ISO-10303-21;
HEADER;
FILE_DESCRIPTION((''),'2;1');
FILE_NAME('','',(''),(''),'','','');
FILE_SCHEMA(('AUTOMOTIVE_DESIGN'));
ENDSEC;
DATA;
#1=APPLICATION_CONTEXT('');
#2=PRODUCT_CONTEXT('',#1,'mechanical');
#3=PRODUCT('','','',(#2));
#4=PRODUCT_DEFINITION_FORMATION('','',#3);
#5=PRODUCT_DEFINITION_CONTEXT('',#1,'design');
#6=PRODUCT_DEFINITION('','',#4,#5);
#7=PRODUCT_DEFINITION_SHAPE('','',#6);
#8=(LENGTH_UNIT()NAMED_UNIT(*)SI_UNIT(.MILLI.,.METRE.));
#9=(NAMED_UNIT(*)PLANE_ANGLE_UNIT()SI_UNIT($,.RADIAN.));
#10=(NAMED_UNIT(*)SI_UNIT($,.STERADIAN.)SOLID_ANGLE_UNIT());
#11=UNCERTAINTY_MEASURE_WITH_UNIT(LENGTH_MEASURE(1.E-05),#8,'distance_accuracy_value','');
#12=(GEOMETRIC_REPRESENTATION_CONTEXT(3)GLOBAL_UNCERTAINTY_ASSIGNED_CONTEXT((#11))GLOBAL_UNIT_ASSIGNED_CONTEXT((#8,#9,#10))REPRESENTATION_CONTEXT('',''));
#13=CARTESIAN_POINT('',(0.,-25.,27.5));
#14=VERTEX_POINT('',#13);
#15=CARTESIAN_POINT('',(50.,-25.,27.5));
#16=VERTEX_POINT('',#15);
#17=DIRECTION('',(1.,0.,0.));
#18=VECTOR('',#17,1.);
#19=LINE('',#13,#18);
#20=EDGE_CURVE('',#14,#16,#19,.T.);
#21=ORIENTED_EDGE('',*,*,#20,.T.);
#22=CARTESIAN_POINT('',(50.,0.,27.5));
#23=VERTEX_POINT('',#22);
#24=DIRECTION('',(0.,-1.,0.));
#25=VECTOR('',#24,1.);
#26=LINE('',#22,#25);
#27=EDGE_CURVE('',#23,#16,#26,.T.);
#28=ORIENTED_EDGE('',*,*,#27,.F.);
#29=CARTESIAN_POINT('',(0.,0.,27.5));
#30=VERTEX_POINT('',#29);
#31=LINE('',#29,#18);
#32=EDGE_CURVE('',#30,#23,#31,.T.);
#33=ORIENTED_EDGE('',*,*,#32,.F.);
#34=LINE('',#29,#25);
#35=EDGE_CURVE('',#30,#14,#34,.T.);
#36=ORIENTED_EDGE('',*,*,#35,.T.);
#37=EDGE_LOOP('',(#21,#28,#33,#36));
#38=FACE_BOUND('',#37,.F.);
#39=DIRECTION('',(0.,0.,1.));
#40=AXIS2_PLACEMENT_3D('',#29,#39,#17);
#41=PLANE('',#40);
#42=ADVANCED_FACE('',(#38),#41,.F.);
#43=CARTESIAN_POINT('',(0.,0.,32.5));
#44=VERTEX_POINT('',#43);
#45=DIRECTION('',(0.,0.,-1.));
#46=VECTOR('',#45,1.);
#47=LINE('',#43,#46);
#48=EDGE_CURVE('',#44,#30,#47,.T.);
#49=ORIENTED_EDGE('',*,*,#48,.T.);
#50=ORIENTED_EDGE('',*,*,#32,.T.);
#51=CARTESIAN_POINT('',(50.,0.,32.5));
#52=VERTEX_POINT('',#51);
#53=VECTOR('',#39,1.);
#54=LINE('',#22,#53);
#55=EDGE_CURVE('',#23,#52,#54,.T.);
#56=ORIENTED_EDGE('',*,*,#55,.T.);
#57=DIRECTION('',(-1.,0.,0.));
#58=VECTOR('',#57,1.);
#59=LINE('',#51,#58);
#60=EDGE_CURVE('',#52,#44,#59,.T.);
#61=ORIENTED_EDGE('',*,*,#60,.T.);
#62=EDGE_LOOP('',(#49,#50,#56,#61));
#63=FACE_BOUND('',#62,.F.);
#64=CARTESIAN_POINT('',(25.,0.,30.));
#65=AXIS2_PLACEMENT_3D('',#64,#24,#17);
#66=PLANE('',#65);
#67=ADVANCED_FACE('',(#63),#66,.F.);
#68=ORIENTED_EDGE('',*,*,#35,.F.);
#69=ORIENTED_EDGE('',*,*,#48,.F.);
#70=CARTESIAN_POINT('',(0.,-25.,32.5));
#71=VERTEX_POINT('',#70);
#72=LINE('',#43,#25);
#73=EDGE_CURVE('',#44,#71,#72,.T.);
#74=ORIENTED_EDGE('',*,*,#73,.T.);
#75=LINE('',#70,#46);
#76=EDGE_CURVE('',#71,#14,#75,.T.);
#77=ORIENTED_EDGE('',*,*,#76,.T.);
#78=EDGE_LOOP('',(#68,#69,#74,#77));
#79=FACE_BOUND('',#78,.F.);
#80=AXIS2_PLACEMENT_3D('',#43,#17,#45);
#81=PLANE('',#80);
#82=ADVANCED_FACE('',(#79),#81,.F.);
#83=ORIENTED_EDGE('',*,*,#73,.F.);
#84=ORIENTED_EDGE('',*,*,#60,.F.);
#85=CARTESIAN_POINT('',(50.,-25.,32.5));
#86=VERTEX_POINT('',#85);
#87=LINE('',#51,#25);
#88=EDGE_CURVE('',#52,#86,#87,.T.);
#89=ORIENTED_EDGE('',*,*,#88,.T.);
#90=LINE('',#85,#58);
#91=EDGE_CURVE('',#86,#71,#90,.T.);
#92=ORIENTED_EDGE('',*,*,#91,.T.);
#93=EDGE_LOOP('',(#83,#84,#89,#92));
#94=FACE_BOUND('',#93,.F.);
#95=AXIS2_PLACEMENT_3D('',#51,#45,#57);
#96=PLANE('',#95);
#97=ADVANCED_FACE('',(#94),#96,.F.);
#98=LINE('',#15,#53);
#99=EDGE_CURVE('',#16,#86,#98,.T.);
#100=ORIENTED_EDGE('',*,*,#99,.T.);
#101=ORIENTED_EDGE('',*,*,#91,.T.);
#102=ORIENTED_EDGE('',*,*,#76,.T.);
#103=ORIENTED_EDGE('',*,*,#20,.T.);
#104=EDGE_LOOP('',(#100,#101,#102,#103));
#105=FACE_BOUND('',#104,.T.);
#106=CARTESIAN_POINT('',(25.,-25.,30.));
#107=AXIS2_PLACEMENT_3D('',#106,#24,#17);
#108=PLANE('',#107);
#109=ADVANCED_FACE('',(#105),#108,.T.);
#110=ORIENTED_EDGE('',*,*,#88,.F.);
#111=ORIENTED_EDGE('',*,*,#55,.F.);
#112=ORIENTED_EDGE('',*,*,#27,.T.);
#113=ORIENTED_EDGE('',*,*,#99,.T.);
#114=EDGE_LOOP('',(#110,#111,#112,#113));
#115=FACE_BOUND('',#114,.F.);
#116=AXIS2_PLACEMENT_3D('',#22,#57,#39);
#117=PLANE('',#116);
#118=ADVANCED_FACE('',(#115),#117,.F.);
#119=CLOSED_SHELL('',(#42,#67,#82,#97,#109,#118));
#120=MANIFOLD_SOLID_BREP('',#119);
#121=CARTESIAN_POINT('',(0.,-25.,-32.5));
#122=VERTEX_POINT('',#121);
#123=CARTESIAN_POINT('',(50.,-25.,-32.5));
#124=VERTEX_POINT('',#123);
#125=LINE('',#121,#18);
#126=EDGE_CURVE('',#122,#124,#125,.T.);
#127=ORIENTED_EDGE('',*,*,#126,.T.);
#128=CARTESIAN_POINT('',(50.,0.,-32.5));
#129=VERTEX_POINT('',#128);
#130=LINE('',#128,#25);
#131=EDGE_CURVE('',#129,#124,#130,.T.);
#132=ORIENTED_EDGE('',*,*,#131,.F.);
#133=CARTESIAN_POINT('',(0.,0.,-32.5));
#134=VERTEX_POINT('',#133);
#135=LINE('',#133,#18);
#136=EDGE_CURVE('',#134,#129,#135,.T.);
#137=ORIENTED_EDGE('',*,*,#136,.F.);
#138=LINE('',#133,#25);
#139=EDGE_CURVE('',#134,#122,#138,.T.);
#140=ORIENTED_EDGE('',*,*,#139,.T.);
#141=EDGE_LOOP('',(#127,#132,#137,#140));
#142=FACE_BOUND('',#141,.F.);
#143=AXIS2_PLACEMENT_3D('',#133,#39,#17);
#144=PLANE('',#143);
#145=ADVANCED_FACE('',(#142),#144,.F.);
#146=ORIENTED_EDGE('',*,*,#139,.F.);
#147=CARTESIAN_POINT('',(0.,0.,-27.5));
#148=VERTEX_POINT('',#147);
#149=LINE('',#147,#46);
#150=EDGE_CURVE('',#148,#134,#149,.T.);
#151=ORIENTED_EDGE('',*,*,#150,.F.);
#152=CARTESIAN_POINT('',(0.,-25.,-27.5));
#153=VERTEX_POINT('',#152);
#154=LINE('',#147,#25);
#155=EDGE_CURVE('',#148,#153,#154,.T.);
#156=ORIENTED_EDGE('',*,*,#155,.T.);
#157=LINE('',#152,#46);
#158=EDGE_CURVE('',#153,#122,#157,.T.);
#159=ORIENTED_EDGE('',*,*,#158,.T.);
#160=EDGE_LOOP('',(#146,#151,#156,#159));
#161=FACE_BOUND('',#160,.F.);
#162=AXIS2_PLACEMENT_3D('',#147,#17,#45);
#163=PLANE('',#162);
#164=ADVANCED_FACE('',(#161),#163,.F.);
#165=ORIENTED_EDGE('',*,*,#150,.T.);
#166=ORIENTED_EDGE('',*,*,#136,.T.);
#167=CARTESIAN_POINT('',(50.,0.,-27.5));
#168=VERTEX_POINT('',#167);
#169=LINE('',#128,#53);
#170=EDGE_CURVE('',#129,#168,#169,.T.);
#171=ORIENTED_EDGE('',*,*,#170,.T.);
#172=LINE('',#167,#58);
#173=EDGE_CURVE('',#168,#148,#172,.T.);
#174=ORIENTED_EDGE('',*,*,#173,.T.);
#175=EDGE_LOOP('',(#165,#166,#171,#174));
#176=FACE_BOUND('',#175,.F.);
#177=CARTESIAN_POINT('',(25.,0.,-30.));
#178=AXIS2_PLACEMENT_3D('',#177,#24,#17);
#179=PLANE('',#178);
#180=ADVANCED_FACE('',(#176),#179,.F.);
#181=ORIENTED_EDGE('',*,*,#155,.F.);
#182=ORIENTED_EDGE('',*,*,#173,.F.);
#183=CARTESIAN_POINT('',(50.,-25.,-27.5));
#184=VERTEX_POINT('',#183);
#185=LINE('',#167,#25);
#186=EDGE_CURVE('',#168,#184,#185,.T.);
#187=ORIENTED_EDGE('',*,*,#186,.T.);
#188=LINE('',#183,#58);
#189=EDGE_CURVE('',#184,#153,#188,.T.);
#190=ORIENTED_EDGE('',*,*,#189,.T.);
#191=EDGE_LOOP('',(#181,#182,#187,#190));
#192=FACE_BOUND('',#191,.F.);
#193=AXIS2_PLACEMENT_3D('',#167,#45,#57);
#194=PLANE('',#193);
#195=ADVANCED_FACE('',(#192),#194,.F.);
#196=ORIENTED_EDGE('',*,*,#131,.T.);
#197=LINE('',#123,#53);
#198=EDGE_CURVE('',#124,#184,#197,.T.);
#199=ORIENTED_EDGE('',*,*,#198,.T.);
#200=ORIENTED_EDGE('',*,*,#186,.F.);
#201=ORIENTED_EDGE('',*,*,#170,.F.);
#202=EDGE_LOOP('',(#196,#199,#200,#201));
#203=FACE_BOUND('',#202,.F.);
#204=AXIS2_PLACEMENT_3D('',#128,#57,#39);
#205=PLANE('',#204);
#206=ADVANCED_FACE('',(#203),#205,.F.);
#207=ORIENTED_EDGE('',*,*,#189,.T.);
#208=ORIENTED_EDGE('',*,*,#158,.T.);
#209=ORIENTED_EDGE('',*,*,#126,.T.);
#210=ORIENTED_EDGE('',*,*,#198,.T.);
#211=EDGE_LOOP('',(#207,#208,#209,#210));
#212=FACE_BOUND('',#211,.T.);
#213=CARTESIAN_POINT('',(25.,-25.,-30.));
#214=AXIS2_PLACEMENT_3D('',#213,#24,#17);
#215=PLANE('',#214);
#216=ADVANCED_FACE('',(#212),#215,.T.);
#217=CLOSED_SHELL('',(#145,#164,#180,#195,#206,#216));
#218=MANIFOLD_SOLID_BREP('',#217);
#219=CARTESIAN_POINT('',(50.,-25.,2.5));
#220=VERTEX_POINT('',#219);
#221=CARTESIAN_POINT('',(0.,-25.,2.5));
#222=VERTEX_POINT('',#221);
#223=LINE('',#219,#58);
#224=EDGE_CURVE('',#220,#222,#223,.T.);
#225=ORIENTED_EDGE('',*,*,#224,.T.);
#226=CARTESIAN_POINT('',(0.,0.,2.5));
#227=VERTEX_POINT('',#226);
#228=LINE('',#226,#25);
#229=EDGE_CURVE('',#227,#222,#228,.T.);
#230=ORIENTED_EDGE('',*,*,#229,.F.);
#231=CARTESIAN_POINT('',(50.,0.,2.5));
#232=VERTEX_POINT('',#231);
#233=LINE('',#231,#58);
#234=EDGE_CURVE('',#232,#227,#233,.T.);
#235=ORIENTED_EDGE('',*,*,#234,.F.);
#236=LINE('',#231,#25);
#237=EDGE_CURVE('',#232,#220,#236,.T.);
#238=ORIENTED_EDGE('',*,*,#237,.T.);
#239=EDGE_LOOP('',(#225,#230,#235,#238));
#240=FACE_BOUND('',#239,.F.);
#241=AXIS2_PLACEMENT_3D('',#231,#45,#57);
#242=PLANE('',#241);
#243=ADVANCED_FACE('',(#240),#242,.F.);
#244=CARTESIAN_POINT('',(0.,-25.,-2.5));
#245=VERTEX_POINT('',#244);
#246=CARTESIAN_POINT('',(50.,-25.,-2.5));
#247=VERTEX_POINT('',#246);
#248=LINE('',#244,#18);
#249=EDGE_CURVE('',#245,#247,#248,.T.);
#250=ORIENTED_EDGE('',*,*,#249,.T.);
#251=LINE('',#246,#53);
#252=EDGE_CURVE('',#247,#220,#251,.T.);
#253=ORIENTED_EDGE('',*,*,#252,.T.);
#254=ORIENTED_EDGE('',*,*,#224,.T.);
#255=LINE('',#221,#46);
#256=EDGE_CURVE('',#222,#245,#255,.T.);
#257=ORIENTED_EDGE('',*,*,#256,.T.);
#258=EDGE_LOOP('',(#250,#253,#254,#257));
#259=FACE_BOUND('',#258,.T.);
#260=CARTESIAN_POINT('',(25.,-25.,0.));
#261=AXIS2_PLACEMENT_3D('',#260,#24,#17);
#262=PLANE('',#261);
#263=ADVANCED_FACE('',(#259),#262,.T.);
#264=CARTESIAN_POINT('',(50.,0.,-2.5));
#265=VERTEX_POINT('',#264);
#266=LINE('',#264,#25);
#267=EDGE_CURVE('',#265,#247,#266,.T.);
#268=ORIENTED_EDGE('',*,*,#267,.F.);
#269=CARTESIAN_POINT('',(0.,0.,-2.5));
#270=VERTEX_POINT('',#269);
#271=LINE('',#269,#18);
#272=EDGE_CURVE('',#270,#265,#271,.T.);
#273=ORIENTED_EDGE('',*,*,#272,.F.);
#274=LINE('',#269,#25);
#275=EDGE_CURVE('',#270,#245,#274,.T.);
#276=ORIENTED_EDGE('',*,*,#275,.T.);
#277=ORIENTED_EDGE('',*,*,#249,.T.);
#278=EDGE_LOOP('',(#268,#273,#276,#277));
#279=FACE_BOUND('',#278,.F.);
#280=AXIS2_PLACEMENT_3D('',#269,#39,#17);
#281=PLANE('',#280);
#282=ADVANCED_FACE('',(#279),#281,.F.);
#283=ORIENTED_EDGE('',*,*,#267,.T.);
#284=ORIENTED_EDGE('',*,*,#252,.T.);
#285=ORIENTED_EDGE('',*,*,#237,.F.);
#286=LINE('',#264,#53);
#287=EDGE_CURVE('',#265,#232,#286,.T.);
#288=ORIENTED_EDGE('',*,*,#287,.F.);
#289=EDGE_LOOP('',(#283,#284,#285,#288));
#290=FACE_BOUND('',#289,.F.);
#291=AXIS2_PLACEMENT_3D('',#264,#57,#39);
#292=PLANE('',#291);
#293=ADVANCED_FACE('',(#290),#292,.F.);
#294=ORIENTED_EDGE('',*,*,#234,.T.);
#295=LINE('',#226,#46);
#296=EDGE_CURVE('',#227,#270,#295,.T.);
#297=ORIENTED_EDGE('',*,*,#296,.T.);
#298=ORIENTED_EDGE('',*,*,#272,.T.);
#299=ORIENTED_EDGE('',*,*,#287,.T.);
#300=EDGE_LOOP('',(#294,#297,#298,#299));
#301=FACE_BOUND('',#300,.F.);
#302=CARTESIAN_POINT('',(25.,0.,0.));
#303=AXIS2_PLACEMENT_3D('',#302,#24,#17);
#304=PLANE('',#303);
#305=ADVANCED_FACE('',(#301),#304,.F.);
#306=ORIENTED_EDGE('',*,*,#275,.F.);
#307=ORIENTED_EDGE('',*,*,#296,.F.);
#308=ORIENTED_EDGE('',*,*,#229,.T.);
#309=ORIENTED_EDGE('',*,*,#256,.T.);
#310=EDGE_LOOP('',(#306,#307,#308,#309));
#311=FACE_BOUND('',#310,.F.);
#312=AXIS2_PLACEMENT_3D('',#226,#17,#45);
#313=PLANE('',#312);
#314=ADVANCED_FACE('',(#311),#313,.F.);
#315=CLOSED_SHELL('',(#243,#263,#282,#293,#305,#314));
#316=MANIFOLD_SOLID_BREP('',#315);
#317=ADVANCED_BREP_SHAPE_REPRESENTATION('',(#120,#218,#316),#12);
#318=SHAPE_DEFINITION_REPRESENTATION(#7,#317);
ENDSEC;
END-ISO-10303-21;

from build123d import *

# Parameters (mm, degrees)
F1_DEPTH = 25
F2_DEPTH = 25
F3_DEPTH = 25


with BuildPart() as f1:
    # F0 (on Front) → F1 (new body)
    with BuildSketch(Plane.XZ):
        Polygon((0, -27.5), (0, -32.5), (50, -32.5), (50, -27.5), (5, -27.5), align=None)
    extrude(amount=F1_DEPTH)


with BuildPart() as f2:
    # F0 (on Front) → F2 (new body, through all)
    with BuildSketch(Plane.XZ):
        Polygon((0, 2.5), (0, -2.5), (5, -2.5), (50, -2.5), (50, 2.5), (5, 2.5), align=None)
    extrude(amount=F2_DEPTH)


with BuildPart() as f3:
    # F0 (on Front) → F3 (new body, through all)
    with BuildSketch(Plane.XZ):
        Polygon((0, 32.5), (0, 27.5), (5, 27.5), (50, 27.5), (50, 32.5), align=None)
    extrude(amount=F3_DEPTH)


solid = Compound([f1.part, f2.part, f3.part])
